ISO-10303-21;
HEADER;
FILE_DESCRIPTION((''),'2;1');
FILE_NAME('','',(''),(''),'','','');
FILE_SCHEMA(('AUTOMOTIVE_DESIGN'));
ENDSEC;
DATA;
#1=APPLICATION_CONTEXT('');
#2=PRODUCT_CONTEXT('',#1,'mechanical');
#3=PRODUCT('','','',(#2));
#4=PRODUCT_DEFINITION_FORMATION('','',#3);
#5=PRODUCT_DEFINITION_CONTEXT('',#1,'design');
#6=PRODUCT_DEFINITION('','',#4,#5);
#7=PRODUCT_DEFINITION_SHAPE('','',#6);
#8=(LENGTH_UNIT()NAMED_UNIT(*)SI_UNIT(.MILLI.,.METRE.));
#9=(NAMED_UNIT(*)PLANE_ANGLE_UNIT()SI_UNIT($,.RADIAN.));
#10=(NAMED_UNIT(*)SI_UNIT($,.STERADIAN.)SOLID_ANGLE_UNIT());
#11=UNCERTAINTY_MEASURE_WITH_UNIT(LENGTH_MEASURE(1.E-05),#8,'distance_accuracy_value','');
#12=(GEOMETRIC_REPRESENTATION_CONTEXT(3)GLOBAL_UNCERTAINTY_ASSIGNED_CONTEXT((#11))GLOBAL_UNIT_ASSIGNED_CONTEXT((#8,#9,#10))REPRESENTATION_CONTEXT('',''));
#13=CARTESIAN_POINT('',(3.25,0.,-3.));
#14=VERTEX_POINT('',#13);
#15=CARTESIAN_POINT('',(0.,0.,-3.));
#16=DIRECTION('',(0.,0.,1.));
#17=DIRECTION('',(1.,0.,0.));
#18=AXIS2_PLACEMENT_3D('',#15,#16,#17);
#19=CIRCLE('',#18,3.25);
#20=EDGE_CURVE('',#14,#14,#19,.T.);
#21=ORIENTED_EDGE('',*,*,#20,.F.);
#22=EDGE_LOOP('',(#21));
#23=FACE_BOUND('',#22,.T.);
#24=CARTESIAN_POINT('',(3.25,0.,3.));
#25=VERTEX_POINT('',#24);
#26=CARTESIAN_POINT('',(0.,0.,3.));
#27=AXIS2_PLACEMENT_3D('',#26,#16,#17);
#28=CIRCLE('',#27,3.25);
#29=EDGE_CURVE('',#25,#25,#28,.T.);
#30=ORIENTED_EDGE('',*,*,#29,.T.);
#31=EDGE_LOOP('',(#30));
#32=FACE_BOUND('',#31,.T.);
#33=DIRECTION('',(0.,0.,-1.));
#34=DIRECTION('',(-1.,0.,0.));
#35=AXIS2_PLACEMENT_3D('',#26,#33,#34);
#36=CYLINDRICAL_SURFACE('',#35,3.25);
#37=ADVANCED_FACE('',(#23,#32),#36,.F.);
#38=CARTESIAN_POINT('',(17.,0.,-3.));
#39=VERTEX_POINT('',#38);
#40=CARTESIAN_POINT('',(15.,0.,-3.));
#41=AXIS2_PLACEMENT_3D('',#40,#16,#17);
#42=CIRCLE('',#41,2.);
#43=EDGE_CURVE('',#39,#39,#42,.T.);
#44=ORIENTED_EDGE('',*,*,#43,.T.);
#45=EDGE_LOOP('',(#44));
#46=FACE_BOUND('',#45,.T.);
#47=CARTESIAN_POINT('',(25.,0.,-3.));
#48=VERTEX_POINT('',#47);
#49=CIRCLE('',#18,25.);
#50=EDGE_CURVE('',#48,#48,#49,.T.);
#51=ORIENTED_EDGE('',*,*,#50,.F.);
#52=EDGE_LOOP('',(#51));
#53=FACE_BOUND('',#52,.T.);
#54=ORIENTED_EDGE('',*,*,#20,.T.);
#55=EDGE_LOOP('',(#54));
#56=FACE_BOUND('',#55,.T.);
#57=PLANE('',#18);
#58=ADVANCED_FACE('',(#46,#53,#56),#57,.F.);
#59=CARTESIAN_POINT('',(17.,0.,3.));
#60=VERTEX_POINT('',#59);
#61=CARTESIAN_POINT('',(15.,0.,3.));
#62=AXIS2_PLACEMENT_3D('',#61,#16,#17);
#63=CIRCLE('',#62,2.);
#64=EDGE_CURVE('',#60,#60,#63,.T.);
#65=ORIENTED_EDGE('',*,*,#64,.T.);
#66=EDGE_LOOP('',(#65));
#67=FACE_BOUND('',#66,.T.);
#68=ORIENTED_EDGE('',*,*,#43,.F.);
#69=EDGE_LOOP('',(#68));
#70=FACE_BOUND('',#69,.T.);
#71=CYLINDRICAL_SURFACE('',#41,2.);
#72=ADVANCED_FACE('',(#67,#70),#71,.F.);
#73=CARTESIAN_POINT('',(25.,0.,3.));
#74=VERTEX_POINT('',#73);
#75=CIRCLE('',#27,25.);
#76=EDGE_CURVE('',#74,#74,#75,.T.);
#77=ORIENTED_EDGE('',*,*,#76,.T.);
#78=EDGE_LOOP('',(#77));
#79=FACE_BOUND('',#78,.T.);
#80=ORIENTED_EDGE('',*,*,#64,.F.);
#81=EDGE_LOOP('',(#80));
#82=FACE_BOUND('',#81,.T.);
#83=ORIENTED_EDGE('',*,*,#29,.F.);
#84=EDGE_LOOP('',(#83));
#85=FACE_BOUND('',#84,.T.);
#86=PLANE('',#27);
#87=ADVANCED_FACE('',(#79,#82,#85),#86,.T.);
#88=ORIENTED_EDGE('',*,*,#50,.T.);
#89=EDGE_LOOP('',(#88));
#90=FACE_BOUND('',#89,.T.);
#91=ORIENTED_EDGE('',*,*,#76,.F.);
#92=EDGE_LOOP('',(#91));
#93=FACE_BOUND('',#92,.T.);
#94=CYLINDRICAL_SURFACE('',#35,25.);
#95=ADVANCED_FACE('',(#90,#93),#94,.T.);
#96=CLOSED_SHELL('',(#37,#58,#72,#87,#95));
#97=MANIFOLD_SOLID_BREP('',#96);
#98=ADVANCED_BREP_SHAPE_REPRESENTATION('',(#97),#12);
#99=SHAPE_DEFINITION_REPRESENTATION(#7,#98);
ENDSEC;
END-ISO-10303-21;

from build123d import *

# Parameters (mm, degrees)
ESBO_O1_R                = 25
ESBO_O1_R_2              = 3.25
RESSALTO_EXTRUS_O1_DEPTH = 3
ESBO_O2_R                = 2
CORTE_EXTRUS_O1_DEPTH    = 36.860842154


with BuildPart() as part:
    # Esboço1 → Ressalto-extrusão1 (new, symmetric)
    with BuildSketch(Plane.XY):
        Circle(ESBO_O1_R)
        Circle(ESBO_O1_R_2, mode=Mode.SUBTRACT)
    extrude(amount=RESSALTO_EXTRUS_O1_DEPTH, both=True)

    # Esboço2 → Corte-extrusão1 (cut, through all)
    with BuildSketch(Plane.XY.offset(3)):
        with Locations((15, 0)):
            Circle(ESBO_O2_R)
    extrude(amount=-CORTE_EXTRUS_O1_DEPTH, mode=Mode.SUBTRACT)


solid = part.part
